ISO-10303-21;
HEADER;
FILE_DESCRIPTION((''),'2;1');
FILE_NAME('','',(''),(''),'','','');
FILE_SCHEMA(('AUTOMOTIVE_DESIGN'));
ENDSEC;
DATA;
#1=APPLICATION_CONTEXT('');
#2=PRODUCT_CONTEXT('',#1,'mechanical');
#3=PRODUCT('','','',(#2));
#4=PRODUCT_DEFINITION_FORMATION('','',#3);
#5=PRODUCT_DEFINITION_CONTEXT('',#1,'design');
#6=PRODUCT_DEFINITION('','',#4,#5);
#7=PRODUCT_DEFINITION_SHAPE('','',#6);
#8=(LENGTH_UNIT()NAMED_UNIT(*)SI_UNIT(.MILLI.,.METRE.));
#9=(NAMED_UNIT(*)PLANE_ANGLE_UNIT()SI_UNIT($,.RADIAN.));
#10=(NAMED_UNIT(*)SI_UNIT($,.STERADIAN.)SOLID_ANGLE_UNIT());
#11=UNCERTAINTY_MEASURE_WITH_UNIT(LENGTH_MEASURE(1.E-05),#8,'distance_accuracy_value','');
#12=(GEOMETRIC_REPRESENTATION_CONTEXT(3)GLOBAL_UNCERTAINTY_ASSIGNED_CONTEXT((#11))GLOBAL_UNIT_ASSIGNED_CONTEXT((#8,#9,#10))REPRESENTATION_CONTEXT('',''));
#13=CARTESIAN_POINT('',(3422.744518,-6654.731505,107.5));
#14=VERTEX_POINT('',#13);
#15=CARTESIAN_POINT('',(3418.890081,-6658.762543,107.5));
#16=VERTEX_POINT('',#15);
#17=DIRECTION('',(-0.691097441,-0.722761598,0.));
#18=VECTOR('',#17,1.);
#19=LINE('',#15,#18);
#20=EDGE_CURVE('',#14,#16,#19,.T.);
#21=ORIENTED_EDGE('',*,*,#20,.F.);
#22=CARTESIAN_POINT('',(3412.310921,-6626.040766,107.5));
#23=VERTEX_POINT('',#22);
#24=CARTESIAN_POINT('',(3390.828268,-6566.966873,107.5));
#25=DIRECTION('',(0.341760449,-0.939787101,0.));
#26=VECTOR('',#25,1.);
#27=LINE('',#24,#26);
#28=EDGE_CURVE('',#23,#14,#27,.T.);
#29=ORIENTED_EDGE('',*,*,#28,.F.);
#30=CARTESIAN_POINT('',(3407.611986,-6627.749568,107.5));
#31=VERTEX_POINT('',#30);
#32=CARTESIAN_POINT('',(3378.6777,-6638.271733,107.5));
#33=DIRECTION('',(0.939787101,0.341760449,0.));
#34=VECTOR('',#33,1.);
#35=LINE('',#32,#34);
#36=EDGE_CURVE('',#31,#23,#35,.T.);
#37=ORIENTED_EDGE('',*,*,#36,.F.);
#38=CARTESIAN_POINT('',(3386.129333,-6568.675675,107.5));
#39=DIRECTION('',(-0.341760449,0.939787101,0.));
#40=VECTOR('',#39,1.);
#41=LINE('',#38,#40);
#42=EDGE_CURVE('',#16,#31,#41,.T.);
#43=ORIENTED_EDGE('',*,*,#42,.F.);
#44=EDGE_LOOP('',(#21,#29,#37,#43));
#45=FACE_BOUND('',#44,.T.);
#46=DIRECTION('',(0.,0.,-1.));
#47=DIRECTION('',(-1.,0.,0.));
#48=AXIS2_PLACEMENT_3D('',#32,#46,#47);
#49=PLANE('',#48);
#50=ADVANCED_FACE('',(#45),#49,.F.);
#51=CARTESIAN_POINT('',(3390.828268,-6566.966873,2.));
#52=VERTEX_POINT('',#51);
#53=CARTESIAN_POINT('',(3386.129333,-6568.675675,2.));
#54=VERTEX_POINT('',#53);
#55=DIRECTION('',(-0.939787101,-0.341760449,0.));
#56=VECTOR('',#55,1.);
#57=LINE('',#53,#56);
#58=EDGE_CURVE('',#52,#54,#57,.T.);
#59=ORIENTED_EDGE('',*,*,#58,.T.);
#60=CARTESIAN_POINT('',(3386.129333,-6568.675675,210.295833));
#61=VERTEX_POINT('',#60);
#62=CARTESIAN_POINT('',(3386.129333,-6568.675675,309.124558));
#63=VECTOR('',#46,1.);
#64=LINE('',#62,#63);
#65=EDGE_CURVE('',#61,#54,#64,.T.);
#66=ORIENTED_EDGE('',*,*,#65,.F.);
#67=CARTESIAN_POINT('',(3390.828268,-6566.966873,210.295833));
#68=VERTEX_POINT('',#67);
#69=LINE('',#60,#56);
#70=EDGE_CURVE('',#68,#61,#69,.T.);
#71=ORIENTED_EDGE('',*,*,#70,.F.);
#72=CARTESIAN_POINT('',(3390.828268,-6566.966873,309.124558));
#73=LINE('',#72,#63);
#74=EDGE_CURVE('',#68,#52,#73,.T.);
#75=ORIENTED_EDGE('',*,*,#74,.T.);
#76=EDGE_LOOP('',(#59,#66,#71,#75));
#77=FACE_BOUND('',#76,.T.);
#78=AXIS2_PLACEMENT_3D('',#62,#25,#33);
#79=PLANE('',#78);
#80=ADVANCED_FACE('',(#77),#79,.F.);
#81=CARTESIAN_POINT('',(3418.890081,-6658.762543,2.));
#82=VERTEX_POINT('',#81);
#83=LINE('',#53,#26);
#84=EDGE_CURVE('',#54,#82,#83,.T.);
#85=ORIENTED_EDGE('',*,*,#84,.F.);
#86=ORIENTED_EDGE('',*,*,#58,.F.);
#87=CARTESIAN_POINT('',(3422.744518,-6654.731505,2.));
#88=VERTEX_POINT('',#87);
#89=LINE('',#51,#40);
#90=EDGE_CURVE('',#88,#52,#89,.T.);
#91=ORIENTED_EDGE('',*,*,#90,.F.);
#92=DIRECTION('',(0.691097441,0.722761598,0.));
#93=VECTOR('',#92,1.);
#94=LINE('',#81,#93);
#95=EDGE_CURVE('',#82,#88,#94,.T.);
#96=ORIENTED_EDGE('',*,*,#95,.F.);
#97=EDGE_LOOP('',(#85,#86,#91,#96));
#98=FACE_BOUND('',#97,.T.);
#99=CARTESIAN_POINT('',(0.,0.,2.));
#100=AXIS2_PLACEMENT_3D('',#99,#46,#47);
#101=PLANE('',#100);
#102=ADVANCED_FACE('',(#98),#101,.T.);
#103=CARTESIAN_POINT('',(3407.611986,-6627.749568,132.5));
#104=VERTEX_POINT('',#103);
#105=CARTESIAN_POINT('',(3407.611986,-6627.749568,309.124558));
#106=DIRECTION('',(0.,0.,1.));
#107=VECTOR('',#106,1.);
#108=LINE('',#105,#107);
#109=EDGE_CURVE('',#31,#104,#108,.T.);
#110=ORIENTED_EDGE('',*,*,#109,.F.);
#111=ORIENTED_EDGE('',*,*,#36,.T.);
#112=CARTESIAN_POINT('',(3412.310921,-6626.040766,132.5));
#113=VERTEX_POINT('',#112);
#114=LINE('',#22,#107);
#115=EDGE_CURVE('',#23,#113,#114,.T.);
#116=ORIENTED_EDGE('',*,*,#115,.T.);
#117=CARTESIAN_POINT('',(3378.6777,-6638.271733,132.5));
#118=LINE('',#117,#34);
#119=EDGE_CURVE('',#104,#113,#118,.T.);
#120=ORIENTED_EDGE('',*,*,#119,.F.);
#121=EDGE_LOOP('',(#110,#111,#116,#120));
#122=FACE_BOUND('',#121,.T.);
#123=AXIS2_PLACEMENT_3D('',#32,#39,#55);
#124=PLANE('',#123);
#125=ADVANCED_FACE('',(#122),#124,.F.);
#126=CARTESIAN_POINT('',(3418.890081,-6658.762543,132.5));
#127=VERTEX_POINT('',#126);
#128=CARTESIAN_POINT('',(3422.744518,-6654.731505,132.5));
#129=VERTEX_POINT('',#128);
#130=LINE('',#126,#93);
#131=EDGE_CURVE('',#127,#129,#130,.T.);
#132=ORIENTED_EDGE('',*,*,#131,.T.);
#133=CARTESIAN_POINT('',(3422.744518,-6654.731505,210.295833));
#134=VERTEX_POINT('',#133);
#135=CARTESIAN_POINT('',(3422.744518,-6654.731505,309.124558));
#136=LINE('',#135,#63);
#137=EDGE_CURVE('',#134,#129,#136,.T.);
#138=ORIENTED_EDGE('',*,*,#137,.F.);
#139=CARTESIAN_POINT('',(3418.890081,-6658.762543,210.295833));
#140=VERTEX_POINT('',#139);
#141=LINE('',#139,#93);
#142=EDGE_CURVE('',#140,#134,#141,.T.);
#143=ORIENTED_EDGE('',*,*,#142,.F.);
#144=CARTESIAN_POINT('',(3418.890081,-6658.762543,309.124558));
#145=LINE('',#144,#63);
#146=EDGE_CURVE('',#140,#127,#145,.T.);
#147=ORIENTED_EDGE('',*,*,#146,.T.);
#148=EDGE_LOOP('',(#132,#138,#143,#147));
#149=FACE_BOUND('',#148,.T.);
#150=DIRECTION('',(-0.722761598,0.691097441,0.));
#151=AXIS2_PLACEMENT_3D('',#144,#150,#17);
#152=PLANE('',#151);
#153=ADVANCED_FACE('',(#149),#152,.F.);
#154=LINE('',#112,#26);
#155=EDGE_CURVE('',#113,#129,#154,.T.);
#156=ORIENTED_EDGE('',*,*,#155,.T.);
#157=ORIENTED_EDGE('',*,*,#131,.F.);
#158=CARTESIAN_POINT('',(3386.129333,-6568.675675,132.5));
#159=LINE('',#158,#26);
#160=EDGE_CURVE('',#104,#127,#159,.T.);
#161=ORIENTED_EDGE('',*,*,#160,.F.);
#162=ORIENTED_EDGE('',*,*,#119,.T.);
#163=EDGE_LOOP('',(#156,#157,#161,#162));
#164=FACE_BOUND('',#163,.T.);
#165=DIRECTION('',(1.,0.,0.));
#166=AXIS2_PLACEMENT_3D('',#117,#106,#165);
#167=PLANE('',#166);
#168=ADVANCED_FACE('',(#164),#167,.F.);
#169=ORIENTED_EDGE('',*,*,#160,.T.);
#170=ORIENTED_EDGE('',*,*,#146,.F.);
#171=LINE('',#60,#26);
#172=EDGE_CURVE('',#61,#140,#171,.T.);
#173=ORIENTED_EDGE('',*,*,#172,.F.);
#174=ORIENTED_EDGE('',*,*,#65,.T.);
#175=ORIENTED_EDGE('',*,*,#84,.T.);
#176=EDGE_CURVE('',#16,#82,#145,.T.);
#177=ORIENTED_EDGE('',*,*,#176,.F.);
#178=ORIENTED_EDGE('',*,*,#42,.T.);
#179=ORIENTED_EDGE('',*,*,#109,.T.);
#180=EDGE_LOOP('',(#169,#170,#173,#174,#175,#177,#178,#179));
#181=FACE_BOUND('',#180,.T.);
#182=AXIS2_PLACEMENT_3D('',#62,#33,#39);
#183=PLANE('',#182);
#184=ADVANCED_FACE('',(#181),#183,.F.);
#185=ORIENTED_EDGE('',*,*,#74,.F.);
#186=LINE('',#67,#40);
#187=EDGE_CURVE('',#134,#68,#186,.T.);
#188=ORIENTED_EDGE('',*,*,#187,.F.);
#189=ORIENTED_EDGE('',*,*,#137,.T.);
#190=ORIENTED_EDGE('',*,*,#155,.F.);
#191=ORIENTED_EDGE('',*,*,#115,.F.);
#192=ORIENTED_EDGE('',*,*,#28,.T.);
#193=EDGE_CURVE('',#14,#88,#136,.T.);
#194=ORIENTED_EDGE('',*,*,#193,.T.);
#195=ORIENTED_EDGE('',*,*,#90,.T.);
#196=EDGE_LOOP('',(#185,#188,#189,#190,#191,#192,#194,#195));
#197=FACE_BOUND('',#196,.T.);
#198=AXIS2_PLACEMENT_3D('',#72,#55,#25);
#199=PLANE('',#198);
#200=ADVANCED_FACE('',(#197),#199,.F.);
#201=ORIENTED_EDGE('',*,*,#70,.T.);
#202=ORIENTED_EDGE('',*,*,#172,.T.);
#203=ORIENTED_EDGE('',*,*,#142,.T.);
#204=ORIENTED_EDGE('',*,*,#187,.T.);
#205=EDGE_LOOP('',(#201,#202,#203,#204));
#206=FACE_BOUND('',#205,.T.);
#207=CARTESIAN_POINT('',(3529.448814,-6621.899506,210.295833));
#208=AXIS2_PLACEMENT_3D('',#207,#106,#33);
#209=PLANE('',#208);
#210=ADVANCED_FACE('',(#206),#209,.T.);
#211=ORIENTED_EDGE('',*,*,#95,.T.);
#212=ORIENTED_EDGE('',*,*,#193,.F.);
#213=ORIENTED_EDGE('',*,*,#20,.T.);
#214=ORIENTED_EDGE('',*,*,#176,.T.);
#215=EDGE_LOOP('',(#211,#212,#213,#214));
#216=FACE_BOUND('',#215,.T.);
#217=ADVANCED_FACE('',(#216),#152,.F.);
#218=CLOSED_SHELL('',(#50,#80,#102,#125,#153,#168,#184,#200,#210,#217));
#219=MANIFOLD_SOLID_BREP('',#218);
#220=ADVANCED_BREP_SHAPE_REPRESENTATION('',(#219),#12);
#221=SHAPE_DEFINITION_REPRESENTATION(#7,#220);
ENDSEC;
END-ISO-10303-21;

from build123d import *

# Parameters (mm, degrees)
BOSS_EXTRUDE1_DEPTH = 208.295833
SKETCH3_W           = 25
SKETCH3_H           = 33
CUT_EXTRUDE1_DEPTH  = 36.788128275


with BuildPart() as part:
    # Sketch2 → Boss-Extrude1 (new body)
    with BuildSketch(Plane.XY.offset(2)):
        Polygon((3386.129332678, -6568.675675181), (3418.890080551, -6658.762542636), (3422.744518293, -6654.731505307), (3390.828268184, -6566.966872936), align=None)
    extrude(amount=BOSS_EXTRUDE1_DEPTH)

    # Sketch3 → Cut-Extrude1 (cut, through all)
    with BuildSketch(Plane(origin=(885.586873602, 322.050140106, 0), x_dir=(0, 0, -1), z_dir=(0.939787101, 0.341760449, 0))):
        with Locations((-120, -7409.760556288)):
            Rectangle(SKETCH3_W, SKETCH3_H)
    extrude(amount=-CUT_EXTRUDE1_DEPTH, mode=Mode.SUBTRACT)


solid = part.part
